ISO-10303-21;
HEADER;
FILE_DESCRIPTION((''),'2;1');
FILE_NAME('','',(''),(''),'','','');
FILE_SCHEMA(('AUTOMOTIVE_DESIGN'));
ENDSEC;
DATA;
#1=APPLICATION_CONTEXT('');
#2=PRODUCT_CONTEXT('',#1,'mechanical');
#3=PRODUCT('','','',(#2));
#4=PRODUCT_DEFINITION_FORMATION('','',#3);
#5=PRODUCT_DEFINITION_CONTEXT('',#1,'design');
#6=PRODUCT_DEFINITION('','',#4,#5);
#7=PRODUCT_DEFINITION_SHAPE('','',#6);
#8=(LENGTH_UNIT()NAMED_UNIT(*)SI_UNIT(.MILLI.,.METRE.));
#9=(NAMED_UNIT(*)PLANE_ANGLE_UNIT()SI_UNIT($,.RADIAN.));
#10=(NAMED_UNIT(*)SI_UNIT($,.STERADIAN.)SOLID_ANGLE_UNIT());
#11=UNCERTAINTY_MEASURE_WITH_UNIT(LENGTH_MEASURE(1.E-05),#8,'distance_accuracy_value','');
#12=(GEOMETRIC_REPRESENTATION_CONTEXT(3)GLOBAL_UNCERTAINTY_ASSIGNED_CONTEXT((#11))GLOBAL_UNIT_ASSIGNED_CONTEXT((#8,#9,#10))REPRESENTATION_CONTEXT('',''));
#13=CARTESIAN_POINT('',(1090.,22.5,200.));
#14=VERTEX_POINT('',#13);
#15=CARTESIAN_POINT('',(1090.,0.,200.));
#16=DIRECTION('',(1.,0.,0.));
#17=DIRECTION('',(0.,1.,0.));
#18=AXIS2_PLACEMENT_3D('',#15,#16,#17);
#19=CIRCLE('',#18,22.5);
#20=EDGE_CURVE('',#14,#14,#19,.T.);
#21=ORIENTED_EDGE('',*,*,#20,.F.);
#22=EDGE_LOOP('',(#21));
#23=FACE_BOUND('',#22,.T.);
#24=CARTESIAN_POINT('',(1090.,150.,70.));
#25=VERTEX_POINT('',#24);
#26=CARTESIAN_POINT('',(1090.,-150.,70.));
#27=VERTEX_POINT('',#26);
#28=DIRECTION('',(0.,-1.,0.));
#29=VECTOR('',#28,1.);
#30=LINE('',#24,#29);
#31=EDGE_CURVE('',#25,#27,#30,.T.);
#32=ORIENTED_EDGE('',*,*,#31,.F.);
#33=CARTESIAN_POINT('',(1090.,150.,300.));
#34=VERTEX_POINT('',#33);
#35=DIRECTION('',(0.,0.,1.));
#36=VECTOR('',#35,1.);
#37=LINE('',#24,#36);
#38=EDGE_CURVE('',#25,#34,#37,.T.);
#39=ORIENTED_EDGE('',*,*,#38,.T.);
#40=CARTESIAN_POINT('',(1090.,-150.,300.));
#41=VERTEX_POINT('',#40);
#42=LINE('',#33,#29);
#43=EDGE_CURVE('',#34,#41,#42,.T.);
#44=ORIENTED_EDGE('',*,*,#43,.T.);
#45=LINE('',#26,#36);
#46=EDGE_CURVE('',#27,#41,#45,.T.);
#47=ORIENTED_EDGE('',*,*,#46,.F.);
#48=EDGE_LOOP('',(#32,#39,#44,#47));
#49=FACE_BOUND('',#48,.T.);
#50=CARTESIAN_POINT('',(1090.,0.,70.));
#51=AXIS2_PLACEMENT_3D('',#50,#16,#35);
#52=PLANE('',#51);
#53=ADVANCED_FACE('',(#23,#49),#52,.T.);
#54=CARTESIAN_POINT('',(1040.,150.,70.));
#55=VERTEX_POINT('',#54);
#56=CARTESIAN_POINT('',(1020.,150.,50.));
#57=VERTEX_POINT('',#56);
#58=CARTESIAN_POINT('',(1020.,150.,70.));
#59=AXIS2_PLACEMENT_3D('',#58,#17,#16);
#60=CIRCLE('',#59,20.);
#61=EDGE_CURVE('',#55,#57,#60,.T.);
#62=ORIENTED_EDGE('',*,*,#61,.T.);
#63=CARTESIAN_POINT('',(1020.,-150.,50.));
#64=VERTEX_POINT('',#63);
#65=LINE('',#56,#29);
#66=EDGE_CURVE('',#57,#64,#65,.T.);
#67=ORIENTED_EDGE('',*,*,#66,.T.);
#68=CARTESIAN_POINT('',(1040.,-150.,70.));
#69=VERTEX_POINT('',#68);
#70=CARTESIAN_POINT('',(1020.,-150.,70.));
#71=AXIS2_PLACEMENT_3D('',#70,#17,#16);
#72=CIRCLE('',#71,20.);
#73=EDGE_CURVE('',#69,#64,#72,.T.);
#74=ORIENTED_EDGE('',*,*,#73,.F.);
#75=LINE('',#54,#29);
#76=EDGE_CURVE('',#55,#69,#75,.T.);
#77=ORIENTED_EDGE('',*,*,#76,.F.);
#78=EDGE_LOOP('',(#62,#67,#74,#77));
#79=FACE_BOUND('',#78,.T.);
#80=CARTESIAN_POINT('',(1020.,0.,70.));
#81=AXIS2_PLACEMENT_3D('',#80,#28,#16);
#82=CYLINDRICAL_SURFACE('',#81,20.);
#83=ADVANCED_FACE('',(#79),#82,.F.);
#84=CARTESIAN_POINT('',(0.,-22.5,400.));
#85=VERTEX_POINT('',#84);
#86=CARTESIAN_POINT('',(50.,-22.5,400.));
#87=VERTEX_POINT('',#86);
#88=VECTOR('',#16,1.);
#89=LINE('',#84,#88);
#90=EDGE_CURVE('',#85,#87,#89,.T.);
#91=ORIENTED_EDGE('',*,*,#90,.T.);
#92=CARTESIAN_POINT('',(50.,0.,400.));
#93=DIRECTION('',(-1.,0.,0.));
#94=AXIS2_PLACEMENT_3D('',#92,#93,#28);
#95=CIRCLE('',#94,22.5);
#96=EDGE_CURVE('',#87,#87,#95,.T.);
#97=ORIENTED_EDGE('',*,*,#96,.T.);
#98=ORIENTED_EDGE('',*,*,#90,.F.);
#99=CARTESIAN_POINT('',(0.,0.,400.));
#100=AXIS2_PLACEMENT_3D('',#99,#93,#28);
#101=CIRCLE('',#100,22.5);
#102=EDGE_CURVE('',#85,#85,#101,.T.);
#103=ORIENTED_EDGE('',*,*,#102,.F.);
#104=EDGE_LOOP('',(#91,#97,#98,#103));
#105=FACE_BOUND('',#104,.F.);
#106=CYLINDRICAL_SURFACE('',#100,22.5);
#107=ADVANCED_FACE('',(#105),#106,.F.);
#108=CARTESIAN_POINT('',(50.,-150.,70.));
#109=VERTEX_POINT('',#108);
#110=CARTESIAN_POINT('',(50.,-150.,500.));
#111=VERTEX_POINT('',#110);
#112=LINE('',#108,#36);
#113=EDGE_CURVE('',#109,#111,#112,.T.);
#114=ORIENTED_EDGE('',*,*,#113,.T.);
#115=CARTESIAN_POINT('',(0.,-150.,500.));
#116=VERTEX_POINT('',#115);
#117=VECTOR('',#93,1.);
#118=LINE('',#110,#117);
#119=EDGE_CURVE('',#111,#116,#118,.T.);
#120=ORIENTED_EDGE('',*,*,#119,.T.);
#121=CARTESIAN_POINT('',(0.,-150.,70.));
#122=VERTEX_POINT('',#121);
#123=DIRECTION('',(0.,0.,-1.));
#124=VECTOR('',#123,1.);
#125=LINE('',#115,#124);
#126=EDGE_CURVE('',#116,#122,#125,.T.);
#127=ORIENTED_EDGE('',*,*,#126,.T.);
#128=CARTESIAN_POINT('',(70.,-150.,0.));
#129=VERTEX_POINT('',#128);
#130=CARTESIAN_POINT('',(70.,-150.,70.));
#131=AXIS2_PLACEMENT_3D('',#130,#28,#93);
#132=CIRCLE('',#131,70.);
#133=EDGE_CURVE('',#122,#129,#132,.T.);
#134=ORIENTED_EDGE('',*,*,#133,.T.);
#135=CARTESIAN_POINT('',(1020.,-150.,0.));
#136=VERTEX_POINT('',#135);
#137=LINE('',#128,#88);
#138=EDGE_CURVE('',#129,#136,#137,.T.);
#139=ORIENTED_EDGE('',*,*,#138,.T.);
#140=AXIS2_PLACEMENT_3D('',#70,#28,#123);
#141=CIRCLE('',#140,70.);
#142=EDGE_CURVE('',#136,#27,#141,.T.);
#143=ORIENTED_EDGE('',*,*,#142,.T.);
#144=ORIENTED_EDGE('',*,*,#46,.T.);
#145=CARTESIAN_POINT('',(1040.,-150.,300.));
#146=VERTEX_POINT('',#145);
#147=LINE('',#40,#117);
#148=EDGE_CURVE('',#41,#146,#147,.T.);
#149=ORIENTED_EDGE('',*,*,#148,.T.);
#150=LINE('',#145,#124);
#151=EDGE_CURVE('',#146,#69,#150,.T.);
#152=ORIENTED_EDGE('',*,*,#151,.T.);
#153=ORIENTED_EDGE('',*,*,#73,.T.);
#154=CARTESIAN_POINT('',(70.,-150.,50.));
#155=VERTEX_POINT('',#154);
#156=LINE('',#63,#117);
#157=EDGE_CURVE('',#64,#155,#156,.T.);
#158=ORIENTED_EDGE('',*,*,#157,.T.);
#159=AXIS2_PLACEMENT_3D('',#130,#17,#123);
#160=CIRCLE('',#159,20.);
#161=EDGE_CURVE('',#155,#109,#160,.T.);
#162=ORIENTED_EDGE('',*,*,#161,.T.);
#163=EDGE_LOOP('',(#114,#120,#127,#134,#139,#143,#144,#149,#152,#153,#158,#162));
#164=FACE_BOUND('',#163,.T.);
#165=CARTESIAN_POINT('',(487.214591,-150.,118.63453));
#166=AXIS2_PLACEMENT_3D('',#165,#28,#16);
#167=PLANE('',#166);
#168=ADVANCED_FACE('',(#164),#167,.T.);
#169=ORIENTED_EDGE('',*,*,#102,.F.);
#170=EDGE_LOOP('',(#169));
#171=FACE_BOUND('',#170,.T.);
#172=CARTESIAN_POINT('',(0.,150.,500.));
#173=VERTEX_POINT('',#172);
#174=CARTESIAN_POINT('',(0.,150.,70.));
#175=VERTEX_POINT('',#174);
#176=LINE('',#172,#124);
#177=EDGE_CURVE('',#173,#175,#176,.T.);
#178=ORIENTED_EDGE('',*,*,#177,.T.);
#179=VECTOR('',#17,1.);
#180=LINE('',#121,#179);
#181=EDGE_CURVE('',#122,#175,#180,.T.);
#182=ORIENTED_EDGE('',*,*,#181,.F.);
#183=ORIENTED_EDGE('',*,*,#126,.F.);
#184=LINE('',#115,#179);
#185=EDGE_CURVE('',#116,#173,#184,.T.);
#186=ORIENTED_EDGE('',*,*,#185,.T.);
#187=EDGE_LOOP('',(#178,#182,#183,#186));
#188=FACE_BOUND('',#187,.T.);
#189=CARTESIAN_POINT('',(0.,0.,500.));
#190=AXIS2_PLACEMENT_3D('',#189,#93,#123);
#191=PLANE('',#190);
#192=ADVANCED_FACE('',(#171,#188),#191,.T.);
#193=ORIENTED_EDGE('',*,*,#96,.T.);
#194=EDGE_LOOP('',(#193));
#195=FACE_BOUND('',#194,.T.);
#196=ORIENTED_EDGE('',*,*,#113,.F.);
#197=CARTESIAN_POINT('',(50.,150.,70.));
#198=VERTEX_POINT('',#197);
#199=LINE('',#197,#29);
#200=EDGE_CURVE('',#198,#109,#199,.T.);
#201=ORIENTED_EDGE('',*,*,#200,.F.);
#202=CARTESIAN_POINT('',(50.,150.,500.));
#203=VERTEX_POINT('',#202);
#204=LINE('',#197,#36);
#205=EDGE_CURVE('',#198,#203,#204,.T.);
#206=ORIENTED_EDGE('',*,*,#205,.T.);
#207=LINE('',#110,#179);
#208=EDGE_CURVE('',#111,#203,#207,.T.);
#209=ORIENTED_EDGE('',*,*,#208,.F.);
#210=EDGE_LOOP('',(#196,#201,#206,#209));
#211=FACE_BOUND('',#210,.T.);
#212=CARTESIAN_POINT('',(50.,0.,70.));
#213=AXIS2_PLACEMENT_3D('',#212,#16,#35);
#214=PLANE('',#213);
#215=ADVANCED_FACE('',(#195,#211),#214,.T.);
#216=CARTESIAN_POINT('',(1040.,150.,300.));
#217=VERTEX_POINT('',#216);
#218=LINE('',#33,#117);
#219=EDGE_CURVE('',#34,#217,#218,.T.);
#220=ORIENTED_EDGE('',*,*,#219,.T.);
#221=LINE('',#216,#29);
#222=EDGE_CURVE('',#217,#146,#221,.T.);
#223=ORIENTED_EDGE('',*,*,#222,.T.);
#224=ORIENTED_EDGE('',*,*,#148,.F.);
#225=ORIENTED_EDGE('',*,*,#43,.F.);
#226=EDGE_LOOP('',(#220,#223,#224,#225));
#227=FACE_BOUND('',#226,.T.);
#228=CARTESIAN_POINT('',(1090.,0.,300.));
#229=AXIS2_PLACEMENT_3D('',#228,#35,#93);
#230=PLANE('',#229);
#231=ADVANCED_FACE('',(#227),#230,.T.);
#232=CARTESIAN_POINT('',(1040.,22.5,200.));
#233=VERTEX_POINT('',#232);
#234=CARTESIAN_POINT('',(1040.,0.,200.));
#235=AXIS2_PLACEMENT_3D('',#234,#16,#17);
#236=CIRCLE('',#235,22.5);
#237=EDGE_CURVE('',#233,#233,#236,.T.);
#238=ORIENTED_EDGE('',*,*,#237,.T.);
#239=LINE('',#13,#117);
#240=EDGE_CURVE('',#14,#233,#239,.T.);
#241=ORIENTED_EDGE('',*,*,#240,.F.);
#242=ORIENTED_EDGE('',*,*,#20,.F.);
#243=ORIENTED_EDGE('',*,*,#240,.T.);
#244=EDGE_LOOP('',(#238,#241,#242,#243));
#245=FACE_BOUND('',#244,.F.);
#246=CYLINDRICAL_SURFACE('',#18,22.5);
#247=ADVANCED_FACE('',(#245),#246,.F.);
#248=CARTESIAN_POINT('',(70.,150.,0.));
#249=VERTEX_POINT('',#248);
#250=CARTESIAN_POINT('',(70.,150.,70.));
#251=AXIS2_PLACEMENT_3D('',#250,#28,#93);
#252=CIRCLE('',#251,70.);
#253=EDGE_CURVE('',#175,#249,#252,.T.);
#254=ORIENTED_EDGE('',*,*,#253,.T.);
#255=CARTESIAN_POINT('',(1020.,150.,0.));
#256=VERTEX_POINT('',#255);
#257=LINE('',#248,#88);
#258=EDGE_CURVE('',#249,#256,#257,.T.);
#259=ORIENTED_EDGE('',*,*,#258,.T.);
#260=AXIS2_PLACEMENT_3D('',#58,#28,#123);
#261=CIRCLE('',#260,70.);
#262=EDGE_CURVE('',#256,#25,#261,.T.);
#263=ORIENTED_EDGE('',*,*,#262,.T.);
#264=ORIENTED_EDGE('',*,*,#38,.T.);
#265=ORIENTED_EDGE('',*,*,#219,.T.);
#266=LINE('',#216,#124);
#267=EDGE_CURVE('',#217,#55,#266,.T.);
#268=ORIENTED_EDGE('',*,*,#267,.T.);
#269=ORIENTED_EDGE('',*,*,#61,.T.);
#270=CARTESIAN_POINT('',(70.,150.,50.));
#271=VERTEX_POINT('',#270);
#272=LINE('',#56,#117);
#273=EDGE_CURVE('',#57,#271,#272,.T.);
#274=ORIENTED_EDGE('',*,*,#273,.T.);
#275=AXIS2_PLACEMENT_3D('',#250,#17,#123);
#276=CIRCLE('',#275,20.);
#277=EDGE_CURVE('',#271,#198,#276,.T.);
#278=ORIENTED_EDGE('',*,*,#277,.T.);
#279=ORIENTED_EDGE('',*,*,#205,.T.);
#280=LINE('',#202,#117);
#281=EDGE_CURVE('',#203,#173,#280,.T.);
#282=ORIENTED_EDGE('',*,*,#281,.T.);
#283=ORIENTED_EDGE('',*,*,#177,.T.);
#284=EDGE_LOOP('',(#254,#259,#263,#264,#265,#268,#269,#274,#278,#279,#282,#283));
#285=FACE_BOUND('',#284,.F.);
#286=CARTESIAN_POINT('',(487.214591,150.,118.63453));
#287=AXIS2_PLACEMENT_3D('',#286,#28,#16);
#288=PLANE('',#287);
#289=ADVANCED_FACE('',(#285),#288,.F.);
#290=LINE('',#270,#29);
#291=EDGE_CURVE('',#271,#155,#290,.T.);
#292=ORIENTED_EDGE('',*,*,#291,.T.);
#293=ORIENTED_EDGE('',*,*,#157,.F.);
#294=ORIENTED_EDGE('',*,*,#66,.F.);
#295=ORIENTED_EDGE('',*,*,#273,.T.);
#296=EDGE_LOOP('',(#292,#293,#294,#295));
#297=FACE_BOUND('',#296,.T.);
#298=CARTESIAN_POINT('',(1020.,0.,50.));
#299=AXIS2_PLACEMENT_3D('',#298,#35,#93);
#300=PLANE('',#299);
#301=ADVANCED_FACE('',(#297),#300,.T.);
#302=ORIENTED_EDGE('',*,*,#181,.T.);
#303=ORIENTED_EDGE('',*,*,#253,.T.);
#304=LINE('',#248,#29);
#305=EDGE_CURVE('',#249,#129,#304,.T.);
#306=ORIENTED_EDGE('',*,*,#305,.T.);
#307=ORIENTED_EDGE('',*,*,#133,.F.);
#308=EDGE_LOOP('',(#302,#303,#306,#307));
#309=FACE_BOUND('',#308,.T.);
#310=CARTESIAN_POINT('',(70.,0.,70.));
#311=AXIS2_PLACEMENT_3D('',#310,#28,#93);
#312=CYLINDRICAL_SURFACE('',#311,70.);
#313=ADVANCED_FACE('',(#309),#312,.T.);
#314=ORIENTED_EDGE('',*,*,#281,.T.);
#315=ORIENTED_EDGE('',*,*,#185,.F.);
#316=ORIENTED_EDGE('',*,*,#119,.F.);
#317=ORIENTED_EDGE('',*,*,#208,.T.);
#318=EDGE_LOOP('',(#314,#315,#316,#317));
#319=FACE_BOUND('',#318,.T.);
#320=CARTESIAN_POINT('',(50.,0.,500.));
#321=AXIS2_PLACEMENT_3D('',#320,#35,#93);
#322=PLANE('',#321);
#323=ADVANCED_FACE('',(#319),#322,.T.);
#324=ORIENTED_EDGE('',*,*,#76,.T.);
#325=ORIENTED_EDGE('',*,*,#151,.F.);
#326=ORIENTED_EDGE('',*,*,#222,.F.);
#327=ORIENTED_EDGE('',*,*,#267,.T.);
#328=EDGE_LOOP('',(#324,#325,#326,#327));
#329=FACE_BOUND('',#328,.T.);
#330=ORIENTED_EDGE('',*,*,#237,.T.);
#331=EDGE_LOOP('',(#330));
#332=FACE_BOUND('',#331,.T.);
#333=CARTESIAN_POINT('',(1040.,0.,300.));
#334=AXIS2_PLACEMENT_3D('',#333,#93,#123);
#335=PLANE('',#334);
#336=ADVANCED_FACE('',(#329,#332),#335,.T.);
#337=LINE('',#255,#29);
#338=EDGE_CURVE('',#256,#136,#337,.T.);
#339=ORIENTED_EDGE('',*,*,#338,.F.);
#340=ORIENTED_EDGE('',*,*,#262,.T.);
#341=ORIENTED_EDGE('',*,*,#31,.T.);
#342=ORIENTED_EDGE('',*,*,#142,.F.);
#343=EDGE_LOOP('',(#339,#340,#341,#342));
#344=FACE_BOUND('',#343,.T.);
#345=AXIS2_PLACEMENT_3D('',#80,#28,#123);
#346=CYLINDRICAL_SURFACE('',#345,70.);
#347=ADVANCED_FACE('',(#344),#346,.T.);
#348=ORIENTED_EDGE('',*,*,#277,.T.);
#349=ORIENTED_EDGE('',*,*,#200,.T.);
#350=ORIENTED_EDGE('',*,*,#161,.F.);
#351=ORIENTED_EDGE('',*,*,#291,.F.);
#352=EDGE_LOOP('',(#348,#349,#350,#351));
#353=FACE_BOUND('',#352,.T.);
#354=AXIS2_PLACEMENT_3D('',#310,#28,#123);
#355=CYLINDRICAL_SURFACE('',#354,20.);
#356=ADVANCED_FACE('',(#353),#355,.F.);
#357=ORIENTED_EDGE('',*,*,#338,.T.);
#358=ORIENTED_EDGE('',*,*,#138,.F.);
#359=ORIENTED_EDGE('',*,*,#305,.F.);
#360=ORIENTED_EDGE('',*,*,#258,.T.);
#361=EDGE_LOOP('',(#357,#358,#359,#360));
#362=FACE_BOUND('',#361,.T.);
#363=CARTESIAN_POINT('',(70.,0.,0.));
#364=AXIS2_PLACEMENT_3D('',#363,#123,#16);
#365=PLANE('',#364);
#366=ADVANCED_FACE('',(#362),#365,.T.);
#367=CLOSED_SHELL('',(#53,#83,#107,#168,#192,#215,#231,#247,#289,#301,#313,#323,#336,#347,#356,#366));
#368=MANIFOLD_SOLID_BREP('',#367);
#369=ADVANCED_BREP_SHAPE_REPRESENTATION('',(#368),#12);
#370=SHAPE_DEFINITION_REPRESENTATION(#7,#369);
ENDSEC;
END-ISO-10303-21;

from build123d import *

# Parameters (mm, degrees)
F1_DEPTH = 150
F2_R     = 22.5
F3_DEPTH = 50
F4_R     = 22.5
F5_DEPTH = 50


with BuildPart() as f1:
    # F0 (on Front) → F1 (new body, symmetric)
    with BuildSketch(Plane.XZ):
        with BuildLine():
            ThreePointArc((0, 70), (20.5025253169, 20.5025253169), (70, 0))
            Line((70, 0), (1020, 0))
            ThreePointArc((1020, 0), (1069.4974746831, 20.5025253169), (1090, 70))
            Line((1090, 70), (1090, 300))
            Line((1090, 300), (1040, 300))
            Line((1040, 300), (1040, 70))
            ThreePointArc((1040, 70), (1034.1421356237, 55.8578643763), (1020, 50))
            Line((1020, 50), (70, 50))
            ThreePointArc((70, 50), (55.8578643763, 55.8578643763), (50, 70))
            Line((50, 70), (50, 500))
            Line((50, 500), (0, 500))
            Line((0, 500), (0, 70))
        make_face()
    extrude(amount=F1_DEPTH, both=True)

    # F2 (on face) → F3 (cut, through all)
    with BuildSketch(Plane.YZ.offset(1090)):
        with Locations((0, 200)):
            Circle(F2_R)
    extrude(amount=-F3_DEPTH, mode=Mode.SUBTRACT)

    # F4 (on face) → F5 (cut, through all)
    with BuildSketch(Plane(origin=(0, 0, 0), x_dir=(0, -1, 0), z_dir=(-1, 0, 0))):
        with Locations((0, 400)):
            Circle(F4_R)
    extrude(amount=-F5_DEPTH, mode=Mode.SUBTRACT)


solid = f1.part
